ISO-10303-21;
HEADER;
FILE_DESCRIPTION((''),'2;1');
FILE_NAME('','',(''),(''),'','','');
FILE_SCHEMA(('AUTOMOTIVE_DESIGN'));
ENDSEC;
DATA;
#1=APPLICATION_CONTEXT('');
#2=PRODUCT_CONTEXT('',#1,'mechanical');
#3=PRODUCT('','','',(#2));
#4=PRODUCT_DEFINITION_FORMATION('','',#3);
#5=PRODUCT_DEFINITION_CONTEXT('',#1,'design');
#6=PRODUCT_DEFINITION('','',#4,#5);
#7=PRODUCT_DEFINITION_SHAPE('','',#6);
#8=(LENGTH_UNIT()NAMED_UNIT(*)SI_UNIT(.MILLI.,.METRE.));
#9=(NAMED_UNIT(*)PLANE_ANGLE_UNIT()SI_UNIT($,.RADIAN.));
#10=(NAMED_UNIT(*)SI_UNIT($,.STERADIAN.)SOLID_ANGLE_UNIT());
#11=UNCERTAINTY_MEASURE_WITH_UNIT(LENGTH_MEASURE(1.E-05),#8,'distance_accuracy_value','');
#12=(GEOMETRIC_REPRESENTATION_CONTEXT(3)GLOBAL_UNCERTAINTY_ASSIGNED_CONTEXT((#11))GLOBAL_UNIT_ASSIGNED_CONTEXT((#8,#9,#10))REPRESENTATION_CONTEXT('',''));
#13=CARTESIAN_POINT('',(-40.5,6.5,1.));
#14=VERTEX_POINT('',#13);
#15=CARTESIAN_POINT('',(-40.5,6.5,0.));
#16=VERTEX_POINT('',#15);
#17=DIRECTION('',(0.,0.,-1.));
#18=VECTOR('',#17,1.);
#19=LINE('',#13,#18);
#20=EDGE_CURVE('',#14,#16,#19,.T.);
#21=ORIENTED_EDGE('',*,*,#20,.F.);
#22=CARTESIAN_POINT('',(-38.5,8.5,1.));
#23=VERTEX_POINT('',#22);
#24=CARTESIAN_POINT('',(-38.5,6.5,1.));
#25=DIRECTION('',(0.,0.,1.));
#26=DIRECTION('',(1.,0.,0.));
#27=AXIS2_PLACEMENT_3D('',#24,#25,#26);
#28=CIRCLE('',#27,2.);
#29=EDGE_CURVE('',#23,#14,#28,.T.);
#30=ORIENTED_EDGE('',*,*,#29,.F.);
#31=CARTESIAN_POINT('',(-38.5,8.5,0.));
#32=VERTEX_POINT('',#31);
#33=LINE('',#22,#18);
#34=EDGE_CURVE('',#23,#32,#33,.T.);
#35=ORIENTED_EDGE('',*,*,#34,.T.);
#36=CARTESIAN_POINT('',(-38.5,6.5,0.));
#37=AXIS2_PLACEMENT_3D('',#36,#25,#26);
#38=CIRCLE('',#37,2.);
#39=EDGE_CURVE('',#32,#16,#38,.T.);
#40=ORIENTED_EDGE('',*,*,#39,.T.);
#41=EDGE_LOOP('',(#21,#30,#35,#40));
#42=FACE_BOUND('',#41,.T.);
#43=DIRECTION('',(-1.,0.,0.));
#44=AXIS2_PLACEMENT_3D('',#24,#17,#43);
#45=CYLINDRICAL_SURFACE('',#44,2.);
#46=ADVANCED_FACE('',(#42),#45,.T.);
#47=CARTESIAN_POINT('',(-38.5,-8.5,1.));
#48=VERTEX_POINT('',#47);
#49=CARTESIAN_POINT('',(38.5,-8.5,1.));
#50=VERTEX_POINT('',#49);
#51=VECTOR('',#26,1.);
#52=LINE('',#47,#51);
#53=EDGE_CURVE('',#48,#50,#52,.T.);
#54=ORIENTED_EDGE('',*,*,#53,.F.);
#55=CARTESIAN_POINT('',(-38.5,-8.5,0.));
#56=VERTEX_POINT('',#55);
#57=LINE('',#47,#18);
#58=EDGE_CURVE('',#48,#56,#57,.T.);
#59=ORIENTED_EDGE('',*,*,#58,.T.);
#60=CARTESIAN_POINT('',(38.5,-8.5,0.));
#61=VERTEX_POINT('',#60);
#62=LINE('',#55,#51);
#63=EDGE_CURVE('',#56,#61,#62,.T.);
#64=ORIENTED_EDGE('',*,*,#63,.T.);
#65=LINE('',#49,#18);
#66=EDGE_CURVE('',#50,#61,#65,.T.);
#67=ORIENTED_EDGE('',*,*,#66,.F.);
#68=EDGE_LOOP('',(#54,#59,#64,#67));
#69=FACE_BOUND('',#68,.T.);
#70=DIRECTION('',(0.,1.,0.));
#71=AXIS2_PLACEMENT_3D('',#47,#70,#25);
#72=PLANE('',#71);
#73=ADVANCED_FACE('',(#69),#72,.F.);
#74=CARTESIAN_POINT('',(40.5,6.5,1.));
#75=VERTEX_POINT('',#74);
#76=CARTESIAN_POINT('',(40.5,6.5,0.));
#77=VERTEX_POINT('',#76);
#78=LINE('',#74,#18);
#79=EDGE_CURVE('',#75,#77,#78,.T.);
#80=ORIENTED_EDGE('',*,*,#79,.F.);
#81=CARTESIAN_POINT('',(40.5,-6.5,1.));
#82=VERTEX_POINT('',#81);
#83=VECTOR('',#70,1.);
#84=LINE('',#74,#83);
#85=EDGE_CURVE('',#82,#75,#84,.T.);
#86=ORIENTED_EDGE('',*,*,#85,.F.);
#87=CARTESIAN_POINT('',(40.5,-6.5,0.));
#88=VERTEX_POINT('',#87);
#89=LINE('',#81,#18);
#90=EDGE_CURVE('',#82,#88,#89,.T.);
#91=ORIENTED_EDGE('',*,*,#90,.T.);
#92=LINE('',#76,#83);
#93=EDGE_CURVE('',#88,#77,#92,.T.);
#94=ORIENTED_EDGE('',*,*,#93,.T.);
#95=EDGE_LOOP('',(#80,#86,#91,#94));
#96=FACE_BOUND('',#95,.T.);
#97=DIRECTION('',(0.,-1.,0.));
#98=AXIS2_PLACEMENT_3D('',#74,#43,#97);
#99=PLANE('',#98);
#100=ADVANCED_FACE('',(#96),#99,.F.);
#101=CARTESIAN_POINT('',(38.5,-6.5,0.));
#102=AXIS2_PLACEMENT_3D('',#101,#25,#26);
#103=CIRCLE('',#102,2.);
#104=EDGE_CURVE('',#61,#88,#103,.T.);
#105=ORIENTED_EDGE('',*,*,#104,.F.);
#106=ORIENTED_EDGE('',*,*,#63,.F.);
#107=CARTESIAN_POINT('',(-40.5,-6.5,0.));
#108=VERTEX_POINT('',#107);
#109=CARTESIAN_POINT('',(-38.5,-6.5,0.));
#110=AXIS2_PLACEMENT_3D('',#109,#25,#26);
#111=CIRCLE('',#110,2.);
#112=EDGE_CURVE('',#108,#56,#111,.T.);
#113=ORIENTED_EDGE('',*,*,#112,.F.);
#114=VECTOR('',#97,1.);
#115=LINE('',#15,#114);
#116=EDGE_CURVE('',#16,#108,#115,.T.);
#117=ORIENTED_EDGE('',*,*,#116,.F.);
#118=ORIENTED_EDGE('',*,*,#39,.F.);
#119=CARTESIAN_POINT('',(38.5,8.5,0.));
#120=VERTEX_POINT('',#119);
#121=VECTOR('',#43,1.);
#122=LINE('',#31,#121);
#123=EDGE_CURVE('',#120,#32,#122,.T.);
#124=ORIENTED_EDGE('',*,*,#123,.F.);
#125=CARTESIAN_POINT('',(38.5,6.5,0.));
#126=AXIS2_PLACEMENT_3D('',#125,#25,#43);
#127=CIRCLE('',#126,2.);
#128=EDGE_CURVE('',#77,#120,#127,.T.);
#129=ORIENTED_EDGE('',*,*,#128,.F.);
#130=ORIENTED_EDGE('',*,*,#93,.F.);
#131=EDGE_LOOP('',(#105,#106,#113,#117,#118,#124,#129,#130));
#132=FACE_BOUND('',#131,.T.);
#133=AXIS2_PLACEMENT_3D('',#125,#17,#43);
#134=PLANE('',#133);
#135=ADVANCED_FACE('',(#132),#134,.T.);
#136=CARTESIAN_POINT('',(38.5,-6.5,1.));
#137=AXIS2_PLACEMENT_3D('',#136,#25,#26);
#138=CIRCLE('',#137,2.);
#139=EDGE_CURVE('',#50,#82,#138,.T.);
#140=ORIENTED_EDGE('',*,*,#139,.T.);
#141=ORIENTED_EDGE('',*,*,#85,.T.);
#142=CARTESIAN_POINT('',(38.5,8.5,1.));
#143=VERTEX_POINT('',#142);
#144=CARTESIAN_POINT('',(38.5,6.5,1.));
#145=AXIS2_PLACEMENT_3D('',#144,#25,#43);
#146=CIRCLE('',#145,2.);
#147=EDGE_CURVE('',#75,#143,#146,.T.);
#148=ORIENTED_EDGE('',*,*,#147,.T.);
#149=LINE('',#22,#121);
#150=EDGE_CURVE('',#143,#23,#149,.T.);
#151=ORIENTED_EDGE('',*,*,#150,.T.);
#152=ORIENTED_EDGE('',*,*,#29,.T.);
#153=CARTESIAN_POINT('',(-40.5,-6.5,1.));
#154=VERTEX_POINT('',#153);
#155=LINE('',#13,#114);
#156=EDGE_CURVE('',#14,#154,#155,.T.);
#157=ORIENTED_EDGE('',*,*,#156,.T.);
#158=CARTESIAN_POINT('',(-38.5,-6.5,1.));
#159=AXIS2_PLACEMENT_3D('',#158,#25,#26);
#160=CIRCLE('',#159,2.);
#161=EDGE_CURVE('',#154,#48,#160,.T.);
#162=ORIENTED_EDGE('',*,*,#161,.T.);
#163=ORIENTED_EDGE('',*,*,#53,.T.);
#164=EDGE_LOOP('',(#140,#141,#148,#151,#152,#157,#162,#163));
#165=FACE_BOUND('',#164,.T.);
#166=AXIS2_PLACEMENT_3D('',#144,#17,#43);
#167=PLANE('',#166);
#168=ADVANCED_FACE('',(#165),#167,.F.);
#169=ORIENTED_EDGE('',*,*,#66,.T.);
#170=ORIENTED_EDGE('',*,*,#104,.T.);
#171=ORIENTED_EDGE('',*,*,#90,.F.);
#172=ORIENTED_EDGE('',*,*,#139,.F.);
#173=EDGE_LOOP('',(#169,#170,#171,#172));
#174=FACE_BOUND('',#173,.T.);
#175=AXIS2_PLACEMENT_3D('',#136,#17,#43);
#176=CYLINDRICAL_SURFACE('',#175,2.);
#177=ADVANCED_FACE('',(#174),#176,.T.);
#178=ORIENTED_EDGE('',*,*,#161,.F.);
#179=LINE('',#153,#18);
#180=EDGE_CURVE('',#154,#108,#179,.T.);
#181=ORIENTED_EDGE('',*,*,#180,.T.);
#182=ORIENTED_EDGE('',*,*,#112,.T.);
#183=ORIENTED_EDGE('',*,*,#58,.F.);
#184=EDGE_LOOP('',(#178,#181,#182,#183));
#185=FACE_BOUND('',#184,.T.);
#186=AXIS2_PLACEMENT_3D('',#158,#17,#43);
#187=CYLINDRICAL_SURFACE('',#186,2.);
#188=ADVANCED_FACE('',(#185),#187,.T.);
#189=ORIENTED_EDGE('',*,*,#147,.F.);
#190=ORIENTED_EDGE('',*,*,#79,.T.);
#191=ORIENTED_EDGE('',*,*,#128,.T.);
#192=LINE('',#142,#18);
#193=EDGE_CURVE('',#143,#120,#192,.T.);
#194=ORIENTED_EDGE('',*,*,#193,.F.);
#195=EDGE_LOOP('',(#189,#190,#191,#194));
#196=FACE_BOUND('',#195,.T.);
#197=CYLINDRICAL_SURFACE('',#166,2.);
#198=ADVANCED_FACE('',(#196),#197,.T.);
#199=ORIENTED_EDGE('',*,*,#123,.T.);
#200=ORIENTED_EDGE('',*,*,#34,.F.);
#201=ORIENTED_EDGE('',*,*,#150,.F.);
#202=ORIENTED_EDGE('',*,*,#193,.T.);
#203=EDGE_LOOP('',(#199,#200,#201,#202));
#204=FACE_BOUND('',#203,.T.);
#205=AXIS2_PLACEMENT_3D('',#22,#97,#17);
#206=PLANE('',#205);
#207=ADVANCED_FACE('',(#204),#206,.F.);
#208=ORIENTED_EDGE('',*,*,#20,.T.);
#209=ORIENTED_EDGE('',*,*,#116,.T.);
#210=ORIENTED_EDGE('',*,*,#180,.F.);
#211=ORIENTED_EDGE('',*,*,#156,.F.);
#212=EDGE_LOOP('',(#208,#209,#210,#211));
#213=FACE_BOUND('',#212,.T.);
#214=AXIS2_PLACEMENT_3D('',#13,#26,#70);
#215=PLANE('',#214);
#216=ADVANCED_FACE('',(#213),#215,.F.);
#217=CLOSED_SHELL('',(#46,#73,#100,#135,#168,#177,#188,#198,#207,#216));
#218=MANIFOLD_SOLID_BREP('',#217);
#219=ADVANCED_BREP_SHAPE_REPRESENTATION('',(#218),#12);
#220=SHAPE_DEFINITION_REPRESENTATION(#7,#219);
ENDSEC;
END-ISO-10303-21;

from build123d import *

# Parameters (mm, degrees)
BOSS_EXTRUDE1_DEPTH = 1


with BuildPart() as part:
    # Sketch1 → Boss-Extrude1 (new body)
    with BuildSketch(Plane.XY):
        with BuildLine():
            Line((-38.5, 8.5), (38.5, 8.5))
            ThreePointArc((38.5, 8.5), (39.914213562, 7.914213562), (40.5, 6.5))
            Line((40.5, 6.5), (40.5, -6.5))
            ThreePointArc((40.5, -6.5), (39.914213562, -7.914213562), (38.5, -8.5))
            Line((38.5, -8.5), (-38.5, -8.5))
            ThreePointArc((-38.5, -8.5), (-39.914213562, -7.914213562), (-40.5, -6.5))
            Line((-40.5, -6.5), (-40.5, 6.5))
            ThreePointArc((-40.5, 6.5), (-39.914213562, 7.914213562), (-38.5, 8.5))
        make_face()
    extrude(amount=BOSS_EXTRUDE1_DEPTH)


solid = part.part
